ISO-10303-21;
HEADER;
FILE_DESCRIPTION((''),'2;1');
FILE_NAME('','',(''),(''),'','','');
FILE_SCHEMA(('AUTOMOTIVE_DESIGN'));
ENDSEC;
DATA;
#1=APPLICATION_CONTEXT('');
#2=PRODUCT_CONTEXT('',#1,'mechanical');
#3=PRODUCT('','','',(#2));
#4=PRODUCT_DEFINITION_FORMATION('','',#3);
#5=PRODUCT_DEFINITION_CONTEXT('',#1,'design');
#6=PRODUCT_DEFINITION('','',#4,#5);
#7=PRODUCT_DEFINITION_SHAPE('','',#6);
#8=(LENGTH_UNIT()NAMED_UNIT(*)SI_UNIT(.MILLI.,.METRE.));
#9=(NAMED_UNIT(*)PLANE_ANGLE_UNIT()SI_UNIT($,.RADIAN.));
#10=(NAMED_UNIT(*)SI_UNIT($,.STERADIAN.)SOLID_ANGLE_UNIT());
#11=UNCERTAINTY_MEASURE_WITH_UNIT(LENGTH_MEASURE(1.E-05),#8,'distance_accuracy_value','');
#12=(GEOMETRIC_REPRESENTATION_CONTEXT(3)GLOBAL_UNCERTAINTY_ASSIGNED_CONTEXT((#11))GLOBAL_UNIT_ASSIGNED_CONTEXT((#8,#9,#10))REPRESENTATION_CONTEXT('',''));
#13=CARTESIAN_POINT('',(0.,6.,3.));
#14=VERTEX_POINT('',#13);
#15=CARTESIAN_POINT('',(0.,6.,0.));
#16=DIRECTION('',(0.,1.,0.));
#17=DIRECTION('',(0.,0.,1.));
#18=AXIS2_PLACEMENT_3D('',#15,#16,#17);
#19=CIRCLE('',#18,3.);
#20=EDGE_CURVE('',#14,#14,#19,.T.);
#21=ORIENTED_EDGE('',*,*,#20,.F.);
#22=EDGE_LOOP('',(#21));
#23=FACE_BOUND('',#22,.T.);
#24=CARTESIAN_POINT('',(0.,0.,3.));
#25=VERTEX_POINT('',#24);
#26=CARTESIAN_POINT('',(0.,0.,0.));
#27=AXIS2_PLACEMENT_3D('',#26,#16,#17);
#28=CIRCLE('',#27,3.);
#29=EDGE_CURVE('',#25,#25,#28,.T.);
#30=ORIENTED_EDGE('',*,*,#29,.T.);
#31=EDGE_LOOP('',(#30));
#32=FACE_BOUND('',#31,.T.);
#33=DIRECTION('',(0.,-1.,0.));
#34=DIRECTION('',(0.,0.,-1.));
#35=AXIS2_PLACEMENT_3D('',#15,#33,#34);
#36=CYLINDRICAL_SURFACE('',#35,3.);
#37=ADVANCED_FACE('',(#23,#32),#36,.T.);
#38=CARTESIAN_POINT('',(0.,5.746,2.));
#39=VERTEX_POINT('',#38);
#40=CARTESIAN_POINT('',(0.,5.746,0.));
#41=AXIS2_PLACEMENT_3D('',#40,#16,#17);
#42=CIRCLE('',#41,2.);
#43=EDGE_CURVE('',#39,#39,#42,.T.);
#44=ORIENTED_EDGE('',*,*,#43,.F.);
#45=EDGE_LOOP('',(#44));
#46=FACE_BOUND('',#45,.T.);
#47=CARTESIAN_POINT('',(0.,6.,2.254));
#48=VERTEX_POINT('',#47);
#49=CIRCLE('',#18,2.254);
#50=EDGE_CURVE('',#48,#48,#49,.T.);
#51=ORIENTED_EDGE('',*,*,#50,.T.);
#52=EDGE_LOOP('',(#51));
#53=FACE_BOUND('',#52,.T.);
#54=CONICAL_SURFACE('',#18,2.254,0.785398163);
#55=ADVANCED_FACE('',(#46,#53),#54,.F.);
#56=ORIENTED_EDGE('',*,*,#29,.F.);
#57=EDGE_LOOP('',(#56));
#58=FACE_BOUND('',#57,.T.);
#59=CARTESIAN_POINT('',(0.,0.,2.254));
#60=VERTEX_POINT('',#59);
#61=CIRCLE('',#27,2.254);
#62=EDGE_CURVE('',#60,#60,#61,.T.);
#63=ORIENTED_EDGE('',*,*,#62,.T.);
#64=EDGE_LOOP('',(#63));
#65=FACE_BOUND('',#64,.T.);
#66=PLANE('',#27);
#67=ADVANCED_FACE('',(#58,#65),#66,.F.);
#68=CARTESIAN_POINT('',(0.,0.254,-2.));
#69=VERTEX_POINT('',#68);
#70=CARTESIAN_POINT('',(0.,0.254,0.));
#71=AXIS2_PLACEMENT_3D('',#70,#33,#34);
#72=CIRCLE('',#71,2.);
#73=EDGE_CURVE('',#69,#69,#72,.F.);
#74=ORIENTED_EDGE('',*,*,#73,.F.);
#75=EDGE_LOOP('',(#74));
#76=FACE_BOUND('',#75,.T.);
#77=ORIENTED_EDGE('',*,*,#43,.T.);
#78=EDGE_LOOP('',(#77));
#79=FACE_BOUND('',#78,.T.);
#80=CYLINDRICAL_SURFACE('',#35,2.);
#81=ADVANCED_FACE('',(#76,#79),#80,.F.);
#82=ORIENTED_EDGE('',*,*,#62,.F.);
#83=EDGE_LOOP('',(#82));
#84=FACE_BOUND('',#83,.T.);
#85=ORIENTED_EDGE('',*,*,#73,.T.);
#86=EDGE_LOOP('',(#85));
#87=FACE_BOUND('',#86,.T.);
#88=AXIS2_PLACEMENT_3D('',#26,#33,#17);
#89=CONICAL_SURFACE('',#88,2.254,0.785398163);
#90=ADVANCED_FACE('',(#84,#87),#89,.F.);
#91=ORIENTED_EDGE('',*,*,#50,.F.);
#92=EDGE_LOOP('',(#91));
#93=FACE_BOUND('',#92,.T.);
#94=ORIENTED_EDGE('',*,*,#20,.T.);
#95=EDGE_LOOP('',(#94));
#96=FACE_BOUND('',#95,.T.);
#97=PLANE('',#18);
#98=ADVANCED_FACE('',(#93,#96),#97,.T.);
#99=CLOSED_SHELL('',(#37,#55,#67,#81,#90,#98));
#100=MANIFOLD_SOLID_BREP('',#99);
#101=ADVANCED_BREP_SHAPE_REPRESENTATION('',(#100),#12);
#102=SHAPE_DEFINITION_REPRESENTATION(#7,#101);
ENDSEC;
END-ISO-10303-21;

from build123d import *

# Parameters (mm, degrees)
SKETCH1_R               = 3
SKETCH1_R_2             = 2
BOSS_EXTRUDE1_DEPTH     = 6
SKETCH3_R               = 2.254
CUT_EXTRUDE1_DEPTH      = 0.254
CUT_EXTRUDE1_DRAFT      = -45
MIRROR1_COPY_1_SKETCH_R = 2.254
MIRROR1_COPY_1_DEPTH    = 0.254
MIRROR1_COPY_1_DRAFT    = -45


with BuildPart() as part:
    # Sketch1 → Boss-Extrude1 (new body)
    with BuildSketch(Plane(origin=(0, 0, 0), x_dir=(1, 0, 0), z_dir=(0, 1, 0))):
        with Locations(Location((0, 0, 0), (0, 0, 270))):
            Circle(SKETCH1_R)
        with Locations(Location((0, 0, 0), (0, 0, 270))):
            Circle(SKETCH1_R_2, mode=Mode.SUBTRACT)
    extrude(amount=BOSS_EXTRUDE1_DEPTH)


with BuildPart() as cut_extrude1_tool:
    # Sketch3 → Cut-Extrude1 (with draft: the straight prism first)
    with BuildSketch(Plane(origin=(0, 6, 0), x_dir=(1, 0, 0), z_dir=(0, 1, 0))):
        Circle(SKETCH3_R)
    extrude(amount=-CUT_EXTRUDE1_DEPTH)
    # Cut-Extrude1: the draft: its side faces are tilted about the plane it starts from
    cut_extrude1_sides = [cut_extrude1_tool.faces().sort_by_distance(p)[0] for p in [
        (-2.254, 5.873, 0),
    ]]
    draft(cut_extrude1_sides, Plane(origin=(0, 6, 0), x_dir=(1, 0, 0), z_dir=(0, 1, 0)), CUT_EXTRUDE1_DRAFT)


with BuildPart() as part_1:
    add(part.part)

    # Cut-Extrude1: cut by cut_extrude1_tool
    add(cut_extrude1_tool.part, mode=Mode.SUBTRACT)


with BuildPart() as mirror1_copy_1_tool:
    # Mirror1 copy 1 sketch → Mirror1 copy 1 (with draft: the straight prism first)
    with BuildSketch(Plane.XZ):
        Circle(MIRROR1_COPY_1_SKETCH_R)
    extrude(amount=-MIRROR1_COPY_1_DEPTH)
    # Mirror1 copy 1: the draft: its side faces are tilted about the plane it starts from
    mirror1_copy_1_sides = [mirror1_copy_1_tool.faces().sort_by_distance(p)[0] for p in [
        (-2.254, 0.127, 0),
    ]]
    draft(mirror1_copy_1_sides, Plane.XZ, MIRROR1_COPY_1_DRAFT)


with BuildPart() as part_2:
    add(part_1.part)

    # Mirror1 copy 1: cut by mirror1_copy_1_tool
    add(mirror1_copy_1_tool.part, mode=Mode.SUBTRACT)


solid = part_2.part
